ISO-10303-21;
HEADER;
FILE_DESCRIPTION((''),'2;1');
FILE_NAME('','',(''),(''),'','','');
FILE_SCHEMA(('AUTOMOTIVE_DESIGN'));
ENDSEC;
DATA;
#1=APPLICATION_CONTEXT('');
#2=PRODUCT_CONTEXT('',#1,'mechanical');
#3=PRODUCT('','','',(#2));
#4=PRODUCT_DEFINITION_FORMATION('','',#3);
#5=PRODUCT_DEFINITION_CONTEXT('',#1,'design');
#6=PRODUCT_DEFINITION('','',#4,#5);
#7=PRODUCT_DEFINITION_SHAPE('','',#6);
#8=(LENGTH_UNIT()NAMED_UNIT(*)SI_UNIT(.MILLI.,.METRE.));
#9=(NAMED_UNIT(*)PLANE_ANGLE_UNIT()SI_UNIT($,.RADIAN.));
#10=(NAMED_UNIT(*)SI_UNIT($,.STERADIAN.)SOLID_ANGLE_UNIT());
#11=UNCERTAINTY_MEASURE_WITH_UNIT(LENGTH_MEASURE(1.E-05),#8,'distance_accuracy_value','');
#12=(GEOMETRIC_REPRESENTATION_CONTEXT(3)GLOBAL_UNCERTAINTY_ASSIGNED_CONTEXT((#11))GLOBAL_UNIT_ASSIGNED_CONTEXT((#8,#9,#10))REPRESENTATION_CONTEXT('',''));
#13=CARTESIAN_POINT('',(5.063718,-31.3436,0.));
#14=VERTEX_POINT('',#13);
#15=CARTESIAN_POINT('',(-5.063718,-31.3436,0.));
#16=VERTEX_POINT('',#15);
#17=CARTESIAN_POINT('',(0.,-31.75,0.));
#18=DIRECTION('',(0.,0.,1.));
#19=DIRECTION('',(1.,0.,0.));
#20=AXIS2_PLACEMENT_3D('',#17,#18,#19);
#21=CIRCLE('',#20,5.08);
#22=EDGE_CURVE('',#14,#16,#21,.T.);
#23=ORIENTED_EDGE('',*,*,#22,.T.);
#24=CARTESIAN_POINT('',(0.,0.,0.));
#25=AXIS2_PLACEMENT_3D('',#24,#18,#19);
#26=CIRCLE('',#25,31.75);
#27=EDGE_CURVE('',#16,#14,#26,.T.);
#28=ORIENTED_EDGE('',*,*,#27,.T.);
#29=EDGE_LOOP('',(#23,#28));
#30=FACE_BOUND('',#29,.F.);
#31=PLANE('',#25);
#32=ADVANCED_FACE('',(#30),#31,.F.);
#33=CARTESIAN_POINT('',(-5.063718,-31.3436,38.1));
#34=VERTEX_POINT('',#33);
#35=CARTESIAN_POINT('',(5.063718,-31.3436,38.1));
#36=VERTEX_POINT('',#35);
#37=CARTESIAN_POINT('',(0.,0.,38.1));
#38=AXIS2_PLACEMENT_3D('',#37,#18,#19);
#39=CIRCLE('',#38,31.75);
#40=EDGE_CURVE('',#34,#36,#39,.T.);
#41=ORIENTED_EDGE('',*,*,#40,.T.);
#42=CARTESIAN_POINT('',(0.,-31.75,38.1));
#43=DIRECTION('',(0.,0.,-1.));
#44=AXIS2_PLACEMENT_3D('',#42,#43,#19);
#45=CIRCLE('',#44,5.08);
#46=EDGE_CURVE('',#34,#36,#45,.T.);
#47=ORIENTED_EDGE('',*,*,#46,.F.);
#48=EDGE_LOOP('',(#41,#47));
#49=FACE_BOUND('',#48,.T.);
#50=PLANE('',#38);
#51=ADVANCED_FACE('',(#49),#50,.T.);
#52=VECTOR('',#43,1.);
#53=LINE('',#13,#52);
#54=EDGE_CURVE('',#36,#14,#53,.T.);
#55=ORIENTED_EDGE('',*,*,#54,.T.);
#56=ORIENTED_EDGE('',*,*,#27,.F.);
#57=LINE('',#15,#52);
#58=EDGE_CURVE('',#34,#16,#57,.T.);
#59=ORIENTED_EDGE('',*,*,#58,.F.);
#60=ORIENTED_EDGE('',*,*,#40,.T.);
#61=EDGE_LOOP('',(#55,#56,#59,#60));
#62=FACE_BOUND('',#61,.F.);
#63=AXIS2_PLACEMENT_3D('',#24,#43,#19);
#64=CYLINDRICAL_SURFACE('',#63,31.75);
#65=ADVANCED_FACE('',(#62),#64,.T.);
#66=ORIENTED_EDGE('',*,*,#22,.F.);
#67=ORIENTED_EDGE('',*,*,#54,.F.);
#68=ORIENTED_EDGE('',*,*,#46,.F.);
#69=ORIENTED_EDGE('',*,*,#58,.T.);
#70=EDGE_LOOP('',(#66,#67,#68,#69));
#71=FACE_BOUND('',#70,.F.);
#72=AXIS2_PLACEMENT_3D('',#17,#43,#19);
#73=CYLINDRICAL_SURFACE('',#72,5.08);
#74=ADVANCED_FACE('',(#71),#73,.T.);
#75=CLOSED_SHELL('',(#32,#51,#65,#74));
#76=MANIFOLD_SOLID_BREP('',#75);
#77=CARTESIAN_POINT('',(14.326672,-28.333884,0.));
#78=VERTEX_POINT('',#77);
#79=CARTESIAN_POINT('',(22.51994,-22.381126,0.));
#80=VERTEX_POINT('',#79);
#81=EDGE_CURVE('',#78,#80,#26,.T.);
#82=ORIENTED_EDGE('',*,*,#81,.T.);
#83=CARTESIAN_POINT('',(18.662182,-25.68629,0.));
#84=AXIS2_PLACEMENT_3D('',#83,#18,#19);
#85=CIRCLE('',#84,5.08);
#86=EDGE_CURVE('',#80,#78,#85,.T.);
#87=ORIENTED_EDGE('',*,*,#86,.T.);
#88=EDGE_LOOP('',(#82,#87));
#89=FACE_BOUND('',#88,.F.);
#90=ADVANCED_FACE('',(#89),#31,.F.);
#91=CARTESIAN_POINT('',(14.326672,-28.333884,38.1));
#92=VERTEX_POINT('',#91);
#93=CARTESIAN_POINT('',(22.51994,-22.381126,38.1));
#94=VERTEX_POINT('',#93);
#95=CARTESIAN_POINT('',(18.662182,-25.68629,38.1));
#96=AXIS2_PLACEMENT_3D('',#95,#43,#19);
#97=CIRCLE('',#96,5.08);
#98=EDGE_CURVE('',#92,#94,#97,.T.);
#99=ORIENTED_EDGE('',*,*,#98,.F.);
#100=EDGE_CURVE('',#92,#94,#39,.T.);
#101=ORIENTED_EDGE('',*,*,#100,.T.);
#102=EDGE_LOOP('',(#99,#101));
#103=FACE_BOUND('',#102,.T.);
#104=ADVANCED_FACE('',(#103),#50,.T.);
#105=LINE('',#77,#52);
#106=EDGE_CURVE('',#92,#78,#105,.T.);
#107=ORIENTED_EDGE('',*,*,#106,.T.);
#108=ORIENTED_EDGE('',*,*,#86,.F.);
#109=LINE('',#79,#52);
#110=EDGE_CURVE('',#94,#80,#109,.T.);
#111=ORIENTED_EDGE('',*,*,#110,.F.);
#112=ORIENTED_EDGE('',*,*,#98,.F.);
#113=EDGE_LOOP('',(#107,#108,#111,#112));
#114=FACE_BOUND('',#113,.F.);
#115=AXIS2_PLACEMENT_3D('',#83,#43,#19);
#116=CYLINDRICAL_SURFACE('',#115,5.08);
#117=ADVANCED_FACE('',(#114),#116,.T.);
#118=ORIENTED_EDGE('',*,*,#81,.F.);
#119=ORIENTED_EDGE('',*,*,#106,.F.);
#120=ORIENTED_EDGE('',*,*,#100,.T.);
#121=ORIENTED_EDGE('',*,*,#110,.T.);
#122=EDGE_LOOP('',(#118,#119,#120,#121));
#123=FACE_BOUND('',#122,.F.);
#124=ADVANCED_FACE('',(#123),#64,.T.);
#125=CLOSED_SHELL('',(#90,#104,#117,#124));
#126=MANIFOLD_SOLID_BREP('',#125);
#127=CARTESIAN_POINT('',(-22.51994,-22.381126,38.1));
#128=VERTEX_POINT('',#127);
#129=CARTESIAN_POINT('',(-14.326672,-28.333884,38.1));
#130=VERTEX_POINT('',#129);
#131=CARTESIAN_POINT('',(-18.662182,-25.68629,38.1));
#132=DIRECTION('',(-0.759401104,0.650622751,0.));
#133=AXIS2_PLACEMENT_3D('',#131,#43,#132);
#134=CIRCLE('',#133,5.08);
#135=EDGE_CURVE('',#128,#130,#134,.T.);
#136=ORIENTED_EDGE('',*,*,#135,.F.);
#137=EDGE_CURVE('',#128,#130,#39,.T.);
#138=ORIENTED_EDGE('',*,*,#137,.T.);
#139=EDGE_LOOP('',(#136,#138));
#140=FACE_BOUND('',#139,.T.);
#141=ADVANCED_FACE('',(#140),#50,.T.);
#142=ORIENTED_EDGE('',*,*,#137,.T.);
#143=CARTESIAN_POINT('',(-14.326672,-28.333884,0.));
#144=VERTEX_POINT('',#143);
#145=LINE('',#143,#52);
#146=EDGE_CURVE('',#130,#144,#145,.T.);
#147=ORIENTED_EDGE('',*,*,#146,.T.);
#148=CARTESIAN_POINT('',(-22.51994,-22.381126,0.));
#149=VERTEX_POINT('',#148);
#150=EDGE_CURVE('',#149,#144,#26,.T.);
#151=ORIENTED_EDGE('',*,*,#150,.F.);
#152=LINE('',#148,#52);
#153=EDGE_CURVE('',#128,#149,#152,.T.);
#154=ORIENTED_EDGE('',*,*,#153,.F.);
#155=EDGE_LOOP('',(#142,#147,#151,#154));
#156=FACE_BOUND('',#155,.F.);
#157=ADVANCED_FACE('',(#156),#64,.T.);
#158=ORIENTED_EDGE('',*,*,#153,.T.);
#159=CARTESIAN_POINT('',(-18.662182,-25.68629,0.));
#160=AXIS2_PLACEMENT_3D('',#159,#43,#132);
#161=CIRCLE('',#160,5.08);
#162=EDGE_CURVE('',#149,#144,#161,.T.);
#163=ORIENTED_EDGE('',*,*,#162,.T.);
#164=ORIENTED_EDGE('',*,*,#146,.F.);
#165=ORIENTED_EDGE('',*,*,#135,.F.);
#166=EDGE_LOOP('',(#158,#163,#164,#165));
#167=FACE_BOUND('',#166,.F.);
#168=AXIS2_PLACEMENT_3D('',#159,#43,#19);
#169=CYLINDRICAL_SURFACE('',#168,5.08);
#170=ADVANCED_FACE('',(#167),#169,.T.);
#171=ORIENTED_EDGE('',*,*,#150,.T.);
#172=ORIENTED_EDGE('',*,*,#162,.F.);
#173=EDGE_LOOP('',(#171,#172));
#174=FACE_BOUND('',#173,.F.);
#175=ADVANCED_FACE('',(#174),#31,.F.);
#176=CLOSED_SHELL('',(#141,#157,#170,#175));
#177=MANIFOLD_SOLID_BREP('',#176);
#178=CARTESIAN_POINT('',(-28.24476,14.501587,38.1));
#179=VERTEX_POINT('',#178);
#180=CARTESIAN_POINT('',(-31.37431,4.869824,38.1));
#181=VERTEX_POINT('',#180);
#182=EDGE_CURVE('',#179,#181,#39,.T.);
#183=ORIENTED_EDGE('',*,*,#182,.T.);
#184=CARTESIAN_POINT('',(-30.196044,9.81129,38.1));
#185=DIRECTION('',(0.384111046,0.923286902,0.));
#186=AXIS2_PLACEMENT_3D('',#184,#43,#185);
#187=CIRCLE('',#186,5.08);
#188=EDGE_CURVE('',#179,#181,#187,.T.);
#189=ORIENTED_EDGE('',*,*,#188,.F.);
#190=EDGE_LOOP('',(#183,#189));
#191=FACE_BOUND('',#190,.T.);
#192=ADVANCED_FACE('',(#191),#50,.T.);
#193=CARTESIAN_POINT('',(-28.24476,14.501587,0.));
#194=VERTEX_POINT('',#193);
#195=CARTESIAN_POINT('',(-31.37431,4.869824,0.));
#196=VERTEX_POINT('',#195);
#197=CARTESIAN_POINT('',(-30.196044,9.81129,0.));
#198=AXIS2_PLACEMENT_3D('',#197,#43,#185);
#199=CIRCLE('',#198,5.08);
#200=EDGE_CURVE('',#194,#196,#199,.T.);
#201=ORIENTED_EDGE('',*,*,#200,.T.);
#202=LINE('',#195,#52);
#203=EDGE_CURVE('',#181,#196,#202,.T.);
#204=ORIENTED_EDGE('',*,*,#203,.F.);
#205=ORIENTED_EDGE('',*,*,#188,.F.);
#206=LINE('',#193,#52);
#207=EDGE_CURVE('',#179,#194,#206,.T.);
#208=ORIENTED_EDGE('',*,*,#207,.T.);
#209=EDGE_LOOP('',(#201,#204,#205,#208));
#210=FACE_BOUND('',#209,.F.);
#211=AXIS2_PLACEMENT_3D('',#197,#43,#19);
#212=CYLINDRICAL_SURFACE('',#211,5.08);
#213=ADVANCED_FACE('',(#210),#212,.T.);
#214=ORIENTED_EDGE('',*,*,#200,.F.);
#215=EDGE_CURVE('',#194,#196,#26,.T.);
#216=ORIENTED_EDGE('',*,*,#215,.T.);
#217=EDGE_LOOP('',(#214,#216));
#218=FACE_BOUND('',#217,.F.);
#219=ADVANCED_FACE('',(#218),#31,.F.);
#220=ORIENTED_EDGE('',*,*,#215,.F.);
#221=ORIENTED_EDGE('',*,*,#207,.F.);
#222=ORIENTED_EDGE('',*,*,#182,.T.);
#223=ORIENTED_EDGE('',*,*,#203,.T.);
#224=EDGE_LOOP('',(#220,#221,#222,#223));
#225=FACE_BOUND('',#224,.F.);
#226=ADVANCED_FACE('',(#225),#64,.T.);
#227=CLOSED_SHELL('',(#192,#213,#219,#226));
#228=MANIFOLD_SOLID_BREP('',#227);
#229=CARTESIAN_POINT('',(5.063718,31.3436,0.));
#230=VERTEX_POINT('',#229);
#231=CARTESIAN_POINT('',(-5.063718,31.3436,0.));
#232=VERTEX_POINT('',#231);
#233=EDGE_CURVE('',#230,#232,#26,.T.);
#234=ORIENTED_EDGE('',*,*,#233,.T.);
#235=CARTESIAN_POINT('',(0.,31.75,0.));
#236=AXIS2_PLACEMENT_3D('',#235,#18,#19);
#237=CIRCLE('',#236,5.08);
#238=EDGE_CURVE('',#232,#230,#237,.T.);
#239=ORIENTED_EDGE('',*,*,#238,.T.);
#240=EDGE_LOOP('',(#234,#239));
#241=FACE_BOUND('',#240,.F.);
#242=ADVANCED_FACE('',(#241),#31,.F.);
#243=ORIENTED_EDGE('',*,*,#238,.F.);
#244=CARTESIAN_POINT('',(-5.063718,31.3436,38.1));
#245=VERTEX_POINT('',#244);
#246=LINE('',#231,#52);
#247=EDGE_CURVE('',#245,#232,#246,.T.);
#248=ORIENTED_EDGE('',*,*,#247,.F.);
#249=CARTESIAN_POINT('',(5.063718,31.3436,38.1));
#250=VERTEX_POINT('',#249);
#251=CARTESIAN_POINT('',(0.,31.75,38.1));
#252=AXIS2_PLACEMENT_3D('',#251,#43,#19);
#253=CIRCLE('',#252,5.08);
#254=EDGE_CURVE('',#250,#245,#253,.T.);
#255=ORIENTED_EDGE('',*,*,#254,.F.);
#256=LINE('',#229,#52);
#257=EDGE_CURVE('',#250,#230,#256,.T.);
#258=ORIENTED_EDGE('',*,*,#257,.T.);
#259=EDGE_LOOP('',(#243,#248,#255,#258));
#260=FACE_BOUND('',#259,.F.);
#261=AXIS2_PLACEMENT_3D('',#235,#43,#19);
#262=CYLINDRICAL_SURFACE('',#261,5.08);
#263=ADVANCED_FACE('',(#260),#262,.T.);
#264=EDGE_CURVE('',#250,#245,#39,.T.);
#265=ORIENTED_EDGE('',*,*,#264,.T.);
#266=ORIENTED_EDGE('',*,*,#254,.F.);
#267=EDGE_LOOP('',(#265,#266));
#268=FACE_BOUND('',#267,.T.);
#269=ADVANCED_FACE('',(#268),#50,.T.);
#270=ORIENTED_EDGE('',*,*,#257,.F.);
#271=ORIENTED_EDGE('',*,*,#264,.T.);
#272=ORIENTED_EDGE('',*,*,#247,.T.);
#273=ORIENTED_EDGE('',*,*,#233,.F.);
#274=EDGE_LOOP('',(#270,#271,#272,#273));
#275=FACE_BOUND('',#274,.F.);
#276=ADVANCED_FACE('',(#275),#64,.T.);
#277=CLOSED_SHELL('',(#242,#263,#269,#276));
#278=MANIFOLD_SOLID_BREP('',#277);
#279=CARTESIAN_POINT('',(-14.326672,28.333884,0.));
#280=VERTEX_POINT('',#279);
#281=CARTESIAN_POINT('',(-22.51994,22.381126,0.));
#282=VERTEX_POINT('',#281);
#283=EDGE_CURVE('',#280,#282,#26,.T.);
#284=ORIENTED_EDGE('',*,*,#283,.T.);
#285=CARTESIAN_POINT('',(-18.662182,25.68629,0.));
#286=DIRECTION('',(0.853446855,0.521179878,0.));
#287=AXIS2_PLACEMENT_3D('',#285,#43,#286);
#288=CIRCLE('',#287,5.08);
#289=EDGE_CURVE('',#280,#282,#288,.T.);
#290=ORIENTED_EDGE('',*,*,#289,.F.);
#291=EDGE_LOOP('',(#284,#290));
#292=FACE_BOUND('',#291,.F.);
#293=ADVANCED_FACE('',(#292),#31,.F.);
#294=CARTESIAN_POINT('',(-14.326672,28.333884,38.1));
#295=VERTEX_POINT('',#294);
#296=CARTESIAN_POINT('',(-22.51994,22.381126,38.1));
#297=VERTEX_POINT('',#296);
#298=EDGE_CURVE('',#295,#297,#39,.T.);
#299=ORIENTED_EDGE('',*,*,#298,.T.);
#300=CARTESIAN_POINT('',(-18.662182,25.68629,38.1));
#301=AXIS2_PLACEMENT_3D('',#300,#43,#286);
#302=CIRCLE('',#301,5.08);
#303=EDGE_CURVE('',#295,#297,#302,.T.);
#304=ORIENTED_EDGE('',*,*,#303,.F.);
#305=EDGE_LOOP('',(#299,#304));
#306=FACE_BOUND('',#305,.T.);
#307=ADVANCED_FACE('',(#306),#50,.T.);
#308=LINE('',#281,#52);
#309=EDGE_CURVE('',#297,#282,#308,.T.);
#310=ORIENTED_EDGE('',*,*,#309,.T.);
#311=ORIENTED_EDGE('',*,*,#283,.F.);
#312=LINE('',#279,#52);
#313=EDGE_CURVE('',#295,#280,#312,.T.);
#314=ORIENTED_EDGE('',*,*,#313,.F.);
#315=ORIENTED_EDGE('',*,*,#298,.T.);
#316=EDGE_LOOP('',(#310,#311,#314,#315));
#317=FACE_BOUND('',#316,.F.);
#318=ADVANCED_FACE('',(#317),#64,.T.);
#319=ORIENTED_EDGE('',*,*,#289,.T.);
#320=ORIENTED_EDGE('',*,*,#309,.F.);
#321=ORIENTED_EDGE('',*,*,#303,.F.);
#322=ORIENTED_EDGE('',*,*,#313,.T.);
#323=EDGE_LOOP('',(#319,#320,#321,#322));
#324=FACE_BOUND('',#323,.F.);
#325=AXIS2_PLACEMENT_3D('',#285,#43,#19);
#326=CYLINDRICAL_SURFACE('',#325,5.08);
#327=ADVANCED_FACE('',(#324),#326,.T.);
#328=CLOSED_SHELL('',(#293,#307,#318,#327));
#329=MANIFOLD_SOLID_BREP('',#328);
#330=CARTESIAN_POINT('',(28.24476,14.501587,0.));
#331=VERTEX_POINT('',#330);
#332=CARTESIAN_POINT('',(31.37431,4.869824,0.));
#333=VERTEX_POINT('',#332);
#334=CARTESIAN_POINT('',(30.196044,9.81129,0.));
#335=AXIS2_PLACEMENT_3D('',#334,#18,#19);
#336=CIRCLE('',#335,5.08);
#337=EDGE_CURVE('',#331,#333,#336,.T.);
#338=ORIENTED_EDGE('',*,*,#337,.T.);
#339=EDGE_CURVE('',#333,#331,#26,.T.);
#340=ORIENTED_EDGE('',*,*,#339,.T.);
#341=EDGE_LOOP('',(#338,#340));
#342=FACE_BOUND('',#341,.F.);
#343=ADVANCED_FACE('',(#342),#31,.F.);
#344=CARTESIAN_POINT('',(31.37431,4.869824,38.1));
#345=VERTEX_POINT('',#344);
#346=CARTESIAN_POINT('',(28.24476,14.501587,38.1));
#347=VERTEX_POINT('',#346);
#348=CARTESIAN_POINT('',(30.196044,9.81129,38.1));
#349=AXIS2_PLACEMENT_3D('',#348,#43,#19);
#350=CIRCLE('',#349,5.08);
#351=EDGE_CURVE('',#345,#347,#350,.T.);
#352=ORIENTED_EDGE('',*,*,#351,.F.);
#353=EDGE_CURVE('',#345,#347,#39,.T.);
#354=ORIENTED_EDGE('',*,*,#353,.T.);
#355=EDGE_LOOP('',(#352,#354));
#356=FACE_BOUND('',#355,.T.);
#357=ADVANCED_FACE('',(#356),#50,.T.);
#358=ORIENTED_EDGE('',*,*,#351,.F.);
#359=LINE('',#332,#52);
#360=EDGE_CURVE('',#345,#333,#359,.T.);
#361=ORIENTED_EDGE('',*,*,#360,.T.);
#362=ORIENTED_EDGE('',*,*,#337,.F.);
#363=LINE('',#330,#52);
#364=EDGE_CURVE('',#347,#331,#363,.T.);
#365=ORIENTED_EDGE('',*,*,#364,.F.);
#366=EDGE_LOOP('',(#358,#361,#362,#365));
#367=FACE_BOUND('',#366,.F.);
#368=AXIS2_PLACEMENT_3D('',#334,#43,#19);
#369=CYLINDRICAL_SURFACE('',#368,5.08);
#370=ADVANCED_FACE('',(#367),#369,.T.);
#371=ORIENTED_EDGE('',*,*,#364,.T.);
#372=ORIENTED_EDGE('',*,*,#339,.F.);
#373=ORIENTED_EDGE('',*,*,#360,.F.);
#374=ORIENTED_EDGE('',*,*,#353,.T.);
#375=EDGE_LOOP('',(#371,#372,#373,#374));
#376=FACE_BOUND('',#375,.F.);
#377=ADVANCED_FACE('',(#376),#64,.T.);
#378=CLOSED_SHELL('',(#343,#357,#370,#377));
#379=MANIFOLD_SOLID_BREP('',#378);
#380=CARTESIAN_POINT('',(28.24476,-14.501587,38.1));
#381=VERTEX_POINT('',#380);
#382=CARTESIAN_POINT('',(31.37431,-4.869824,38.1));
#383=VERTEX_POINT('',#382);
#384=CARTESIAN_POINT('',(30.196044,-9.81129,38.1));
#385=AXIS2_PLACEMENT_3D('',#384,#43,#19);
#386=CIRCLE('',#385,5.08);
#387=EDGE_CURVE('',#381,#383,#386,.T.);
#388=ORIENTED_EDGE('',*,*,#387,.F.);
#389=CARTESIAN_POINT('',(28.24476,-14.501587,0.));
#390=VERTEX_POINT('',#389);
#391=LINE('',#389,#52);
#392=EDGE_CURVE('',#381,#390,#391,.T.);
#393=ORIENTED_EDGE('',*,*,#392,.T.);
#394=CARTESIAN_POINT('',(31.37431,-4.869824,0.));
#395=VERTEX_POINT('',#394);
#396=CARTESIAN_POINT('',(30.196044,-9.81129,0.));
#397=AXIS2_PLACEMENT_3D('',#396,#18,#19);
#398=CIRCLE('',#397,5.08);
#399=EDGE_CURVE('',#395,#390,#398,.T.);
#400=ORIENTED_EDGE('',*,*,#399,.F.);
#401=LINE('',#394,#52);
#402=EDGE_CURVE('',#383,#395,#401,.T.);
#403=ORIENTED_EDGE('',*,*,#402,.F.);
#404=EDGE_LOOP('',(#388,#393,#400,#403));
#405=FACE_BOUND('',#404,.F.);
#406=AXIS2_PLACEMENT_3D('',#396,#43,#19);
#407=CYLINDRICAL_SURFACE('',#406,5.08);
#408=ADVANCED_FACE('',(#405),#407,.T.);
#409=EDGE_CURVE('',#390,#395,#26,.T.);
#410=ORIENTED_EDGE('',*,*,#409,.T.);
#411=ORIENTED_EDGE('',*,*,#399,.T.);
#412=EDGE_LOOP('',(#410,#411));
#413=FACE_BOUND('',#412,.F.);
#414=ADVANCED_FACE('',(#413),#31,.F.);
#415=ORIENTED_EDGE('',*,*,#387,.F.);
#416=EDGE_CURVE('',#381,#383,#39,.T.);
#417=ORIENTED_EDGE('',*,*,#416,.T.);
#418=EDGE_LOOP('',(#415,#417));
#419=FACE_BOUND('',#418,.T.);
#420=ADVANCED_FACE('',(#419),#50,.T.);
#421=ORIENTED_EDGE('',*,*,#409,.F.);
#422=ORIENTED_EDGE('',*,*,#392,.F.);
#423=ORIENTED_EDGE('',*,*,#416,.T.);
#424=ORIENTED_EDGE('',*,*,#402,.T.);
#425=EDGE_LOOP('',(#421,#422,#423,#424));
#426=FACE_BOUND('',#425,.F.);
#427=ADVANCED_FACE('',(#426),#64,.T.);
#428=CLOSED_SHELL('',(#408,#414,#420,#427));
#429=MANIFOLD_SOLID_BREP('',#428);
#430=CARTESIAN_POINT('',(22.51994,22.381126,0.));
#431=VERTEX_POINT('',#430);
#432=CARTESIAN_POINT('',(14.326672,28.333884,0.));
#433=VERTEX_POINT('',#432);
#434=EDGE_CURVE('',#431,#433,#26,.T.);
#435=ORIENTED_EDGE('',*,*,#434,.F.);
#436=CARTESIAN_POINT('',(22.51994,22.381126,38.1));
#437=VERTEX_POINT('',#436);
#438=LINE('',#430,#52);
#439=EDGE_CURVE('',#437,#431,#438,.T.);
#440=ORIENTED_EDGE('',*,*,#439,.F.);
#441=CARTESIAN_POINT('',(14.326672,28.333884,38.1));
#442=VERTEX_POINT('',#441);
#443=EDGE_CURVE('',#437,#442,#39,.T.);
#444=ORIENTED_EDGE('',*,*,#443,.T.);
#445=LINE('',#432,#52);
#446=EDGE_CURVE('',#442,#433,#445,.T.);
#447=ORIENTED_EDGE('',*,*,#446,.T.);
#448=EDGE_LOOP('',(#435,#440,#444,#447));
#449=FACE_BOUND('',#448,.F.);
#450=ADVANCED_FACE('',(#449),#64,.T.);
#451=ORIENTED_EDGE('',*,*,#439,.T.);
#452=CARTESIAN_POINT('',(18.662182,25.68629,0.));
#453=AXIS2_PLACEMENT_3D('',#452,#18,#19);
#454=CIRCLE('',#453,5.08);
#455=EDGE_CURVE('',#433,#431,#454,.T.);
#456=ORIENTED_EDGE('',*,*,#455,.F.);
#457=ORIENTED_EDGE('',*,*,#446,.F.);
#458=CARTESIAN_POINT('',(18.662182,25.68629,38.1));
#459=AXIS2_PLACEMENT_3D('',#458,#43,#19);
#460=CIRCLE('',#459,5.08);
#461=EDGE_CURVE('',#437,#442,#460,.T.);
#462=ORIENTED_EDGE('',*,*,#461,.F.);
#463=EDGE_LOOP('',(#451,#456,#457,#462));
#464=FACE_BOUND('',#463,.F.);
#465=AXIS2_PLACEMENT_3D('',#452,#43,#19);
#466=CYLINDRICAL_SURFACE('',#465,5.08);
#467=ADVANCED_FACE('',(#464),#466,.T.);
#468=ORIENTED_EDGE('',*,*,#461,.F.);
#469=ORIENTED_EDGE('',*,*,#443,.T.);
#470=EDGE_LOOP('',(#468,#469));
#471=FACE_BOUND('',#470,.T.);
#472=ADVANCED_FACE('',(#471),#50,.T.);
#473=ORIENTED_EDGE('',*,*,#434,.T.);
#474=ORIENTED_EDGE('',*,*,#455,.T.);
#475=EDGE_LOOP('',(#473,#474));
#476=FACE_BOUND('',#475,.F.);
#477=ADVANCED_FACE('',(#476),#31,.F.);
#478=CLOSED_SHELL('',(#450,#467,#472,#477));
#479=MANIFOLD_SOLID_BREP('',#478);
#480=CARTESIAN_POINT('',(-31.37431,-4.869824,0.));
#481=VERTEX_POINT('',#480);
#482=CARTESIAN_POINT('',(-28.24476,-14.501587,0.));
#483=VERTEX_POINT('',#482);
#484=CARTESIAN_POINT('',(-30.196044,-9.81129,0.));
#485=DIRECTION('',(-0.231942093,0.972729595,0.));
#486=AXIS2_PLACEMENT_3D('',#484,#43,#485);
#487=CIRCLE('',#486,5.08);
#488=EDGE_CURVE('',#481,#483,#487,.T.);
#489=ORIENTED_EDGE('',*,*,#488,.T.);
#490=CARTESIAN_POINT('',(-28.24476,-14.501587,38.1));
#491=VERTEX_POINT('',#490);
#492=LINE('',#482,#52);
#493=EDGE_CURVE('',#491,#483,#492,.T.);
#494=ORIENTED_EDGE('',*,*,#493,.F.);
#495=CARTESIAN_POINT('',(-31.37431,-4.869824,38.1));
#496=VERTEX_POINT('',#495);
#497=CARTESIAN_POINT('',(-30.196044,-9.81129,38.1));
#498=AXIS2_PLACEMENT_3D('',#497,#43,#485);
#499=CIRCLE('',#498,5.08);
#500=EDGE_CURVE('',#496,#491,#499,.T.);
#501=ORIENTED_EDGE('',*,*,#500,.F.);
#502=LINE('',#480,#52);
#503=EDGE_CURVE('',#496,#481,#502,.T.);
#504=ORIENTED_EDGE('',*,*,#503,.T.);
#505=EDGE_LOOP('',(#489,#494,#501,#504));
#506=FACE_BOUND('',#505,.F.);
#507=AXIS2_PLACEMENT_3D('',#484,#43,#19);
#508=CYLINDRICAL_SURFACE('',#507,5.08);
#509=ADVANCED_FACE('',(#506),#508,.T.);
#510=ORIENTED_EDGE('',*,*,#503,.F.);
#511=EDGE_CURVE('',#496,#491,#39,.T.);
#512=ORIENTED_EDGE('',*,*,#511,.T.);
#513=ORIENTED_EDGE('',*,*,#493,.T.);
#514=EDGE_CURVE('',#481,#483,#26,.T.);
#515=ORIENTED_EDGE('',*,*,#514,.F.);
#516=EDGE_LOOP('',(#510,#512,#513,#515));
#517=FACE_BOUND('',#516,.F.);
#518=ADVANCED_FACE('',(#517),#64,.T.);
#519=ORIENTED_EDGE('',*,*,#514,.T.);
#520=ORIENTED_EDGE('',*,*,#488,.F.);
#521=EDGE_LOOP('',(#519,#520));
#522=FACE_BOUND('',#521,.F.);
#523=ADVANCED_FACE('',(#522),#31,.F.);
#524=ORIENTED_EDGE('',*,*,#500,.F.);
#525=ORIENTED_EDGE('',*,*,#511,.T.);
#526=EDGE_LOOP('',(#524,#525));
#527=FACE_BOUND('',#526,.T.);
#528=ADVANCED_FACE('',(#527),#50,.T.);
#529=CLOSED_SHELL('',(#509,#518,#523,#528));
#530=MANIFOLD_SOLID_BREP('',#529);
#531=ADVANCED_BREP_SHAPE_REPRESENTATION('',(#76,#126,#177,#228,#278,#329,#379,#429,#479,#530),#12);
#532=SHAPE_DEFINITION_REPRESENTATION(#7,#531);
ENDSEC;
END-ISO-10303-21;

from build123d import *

# Parameters (mm, degrees)
F0_R     = 31.75
F1_DEPTH = 38.1
F2_R     = 5.08
F3_DEPTH = 50.8


with BuildPart() as f1:
    # F0 (on Top) → F1 (new body)
    with BuildSketch(Plane.XY):
        Circle(F0_R)
    extrude(amount=F1_DEPTH)

    # F2 (on Top) → F3 (intersect)
    with BuildSketch(Plane.XY):
        with Locations((0, 31.75)):
            Circle(F2_R)
        with Locations((-18.662182, 25.68629)):
            Circle(F2_R)
        with Locations((-30.196044, 9.81129)):
            Circle(F2_R)
        with Locations((-30.196044, -9.81129)):
            Circle(F2_R)
        with Locations((-18.662182, -25.68629)):
            Circle(F2_R)
        with Locations((0, -31.75)):
            Circle(F2_R)
        with Locations((18.662182, -25.68629)):
            Circle(F2_R)
        with Locations((30.196044, -9.81129)):
            Circle(F2_R)
        with Locations((30.196044, 9.81129)):
            Circle(F2_R)
        with Locations((18.662182, 25.68629)):
            Circle(F2_R)
    extrude(amount=F3_DEPTH, mode=Mode.INTERSECT)


solid = f1.part
